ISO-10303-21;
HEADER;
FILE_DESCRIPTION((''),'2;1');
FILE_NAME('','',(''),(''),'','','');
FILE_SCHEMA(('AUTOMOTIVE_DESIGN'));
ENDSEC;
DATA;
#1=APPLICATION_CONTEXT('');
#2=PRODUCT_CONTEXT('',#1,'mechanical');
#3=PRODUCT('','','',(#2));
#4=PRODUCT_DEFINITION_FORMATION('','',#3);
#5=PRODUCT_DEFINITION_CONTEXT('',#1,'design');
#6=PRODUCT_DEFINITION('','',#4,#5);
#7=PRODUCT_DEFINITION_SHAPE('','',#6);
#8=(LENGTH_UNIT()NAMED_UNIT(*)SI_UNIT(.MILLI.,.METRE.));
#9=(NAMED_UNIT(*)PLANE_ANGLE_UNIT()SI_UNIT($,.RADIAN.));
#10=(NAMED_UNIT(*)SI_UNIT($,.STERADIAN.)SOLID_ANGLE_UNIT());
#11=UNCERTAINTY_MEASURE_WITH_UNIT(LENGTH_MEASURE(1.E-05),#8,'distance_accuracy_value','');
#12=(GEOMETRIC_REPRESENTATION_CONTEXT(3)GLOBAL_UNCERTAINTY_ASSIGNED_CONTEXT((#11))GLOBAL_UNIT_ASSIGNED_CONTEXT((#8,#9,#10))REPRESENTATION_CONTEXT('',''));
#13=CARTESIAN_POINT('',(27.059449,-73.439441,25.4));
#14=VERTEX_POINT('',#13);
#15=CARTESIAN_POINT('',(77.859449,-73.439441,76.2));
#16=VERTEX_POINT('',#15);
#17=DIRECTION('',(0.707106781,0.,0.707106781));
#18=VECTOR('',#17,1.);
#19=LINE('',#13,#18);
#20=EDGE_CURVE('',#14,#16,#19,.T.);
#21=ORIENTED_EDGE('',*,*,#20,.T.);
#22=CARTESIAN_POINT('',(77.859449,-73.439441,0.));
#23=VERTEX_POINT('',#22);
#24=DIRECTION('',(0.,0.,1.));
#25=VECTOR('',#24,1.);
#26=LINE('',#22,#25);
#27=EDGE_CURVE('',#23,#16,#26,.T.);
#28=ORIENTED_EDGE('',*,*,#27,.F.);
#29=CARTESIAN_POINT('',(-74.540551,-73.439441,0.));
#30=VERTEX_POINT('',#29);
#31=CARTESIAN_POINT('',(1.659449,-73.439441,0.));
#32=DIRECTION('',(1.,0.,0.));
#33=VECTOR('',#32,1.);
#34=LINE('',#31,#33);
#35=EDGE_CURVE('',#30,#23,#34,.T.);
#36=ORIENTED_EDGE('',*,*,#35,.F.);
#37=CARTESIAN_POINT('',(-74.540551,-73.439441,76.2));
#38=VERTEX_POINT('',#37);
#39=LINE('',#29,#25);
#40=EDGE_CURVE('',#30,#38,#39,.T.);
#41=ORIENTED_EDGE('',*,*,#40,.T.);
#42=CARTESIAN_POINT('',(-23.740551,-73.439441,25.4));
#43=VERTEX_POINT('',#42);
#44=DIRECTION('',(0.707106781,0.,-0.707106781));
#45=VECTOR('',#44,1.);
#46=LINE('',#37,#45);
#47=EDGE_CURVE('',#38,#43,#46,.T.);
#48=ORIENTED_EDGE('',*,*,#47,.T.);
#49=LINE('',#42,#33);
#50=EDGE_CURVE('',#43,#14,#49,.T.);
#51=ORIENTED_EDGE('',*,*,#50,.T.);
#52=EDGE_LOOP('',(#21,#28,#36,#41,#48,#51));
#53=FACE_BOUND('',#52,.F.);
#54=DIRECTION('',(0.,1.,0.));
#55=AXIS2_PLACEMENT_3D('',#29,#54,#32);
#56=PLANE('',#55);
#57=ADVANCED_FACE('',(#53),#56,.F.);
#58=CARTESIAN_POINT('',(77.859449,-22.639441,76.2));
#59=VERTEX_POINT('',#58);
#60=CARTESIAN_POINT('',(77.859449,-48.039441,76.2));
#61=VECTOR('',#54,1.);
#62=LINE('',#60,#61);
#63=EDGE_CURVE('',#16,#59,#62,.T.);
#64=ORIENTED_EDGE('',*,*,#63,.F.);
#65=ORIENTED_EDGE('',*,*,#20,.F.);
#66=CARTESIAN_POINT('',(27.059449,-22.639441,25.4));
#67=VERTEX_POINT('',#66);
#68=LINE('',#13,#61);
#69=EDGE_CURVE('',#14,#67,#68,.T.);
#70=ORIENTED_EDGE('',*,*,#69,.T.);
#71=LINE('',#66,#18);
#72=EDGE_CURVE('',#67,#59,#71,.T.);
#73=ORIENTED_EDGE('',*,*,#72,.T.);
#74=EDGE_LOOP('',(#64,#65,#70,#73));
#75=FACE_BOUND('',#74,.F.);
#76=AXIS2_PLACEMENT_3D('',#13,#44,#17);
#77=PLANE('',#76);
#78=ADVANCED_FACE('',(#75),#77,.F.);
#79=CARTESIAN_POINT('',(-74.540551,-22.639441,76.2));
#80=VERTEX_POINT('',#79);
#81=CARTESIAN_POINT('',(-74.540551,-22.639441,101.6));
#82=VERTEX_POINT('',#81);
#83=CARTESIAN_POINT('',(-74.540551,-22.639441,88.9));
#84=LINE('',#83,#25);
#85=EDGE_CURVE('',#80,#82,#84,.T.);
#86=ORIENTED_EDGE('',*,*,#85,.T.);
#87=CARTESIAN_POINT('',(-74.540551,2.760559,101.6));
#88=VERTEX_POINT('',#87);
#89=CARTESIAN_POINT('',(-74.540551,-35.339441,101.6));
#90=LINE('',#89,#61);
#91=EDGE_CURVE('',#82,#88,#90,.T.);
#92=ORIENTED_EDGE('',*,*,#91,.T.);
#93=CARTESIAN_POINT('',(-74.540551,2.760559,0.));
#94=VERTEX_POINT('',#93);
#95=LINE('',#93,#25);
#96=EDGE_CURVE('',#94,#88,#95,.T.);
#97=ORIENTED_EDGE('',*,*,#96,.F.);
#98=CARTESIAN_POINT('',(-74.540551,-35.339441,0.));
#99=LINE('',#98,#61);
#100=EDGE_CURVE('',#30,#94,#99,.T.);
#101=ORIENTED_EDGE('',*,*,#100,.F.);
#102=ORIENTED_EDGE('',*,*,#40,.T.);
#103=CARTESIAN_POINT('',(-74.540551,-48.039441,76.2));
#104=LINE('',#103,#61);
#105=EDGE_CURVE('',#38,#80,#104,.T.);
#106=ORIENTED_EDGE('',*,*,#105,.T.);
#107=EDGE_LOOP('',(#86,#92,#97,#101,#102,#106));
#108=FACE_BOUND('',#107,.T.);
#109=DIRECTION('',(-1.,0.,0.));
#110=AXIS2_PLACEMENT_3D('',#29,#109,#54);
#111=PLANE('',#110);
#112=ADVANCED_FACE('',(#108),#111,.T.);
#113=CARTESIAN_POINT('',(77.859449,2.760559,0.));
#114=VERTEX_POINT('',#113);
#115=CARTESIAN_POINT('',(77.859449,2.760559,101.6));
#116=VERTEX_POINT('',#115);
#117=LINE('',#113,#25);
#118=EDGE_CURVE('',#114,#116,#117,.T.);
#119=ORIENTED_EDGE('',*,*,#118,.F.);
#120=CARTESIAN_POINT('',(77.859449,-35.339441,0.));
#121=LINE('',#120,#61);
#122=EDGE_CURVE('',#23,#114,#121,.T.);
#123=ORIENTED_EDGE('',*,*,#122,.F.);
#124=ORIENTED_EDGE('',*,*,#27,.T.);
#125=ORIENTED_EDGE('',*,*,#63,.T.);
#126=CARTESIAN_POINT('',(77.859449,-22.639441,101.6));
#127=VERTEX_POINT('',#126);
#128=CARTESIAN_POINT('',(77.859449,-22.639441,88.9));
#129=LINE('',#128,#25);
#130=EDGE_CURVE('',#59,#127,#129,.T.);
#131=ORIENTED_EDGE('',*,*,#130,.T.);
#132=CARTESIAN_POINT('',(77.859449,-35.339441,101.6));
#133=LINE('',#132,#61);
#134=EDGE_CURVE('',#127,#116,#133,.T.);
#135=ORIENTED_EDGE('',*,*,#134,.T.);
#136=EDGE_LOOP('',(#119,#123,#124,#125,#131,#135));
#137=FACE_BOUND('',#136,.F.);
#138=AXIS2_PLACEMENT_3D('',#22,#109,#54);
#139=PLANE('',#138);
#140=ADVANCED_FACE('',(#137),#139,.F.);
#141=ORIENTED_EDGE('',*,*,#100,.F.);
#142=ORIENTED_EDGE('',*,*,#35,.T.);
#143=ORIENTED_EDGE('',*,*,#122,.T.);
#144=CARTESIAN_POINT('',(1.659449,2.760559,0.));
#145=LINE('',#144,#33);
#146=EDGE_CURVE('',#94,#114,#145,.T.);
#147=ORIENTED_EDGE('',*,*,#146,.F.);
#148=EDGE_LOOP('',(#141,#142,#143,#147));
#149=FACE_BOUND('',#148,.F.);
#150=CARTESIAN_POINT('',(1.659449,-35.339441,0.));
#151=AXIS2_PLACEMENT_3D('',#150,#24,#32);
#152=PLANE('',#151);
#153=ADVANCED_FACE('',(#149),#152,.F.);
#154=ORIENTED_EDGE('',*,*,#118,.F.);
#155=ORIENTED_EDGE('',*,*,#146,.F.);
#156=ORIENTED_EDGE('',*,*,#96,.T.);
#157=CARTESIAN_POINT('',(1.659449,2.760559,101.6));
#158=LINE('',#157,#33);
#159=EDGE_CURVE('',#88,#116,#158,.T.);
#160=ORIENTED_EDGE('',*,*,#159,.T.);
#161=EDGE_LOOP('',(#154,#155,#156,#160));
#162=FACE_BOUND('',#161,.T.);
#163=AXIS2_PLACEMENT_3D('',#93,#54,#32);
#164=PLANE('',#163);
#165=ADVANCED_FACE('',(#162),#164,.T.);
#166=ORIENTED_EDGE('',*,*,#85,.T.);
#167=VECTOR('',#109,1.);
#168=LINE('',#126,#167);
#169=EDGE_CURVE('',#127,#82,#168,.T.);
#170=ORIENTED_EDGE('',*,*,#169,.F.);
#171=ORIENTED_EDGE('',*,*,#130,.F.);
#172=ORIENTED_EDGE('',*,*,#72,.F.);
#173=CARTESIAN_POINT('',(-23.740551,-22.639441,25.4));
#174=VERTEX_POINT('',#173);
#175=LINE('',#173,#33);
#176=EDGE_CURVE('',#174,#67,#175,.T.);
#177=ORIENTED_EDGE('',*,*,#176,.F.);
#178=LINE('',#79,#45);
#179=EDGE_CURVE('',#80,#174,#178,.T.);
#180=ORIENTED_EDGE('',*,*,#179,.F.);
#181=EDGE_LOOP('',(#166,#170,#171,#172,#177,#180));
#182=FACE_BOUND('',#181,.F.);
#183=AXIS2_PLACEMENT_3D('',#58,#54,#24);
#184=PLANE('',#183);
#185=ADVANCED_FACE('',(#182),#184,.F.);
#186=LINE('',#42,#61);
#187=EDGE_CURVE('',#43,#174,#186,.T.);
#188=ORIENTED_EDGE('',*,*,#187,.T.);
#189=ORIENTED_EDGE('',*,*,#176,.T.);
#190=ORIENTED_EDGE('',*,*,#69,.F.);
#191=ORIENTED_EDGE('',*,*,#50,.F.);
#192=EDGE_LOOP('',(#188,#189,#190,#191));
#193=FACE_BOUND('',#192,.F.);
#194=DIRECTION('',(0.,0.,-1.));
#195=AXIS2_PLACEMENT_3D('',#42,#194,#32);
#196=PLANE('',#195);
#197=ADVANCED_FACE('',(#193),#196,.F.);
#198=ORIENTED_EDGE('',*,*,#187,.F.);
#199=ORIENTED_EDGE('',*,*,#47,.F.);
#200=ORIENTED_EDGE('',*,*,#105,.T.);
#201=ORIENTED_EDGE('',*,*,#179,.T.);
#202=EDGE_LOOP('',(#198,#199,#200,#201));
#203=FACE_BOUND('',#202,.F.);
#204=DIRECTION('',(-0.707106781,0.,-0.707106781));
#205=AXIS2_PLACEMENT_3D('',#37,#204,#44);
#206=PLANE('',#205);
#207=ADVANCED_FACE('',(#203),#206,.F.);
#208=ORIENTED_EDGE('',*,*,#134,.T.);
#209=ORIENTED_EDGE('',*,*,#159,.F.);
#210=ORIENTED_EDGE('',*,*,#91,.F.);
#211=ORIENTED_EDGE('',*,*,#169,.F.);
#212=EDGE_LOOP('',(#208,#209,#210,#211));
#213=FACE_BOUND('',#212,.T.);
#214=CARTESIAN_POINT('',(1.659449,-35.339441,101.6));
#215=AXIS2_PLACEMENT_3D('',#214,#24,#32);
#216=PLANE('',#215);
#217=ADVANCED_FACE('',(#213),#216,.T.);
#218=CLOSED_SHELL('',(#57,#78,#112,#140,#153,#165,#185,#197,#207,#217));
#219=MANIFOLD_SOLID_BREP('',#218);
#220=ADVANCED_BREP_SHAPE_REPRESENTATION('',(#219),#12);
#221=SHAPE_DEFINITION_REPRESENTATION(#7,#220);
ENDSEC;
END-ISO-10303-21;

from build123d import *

# Parameters (mm, degrees)
F0_W     = 152.4
F0_H     = 76.2
F1_DEPTH = 101.6
F2_W     = 50.8
F2_H     = 25.4
F3_DEPTH = 152.4
F5_DEPTH = 50.8


with BuildPart() as f1:
    # F0 (on Top) → F1 (new body)
    with BuildSketch(Plane.XY):
        with Locations((1.659449, -35.339441)):
            Rectangle(F0_W, F0_H)
    extrude(amount=F1_DEPTH)

    # F2 (on face) → F3 (cut)
    with BuildSketch(Plane.YZ.offset(77.859449)):
        with Locations((-48.039441, 88.9)):
            Rectangle(F2_W, F2_H)
    extrude(amount=-F3_DEPTH, mode=Mode.SUBTRACT)

    # F4 (on face) → F5 (cut)
    with BuildSketch(Plane.XZ.offset(73.439441)):
        Polygon((77.859449, 76.2), (27.059449, 76.2), (27.059449, 41.245621), (27.059449, 25.4), align=None)
        Polygon((27.059449, 76.2), (-23.740551, 76.2), (-23.740551, 25.4), (27.059449, 25.4), (27.059449, 41.245621), align=None)
        Polygon((-23.740551, 76.2), (-74.540551, 76.2), (-23.740551, 25.4), align=None)
    extrude(amount=-F5_DEPTH, mode=Mode.SUBTRACT)


solid = f1.part
